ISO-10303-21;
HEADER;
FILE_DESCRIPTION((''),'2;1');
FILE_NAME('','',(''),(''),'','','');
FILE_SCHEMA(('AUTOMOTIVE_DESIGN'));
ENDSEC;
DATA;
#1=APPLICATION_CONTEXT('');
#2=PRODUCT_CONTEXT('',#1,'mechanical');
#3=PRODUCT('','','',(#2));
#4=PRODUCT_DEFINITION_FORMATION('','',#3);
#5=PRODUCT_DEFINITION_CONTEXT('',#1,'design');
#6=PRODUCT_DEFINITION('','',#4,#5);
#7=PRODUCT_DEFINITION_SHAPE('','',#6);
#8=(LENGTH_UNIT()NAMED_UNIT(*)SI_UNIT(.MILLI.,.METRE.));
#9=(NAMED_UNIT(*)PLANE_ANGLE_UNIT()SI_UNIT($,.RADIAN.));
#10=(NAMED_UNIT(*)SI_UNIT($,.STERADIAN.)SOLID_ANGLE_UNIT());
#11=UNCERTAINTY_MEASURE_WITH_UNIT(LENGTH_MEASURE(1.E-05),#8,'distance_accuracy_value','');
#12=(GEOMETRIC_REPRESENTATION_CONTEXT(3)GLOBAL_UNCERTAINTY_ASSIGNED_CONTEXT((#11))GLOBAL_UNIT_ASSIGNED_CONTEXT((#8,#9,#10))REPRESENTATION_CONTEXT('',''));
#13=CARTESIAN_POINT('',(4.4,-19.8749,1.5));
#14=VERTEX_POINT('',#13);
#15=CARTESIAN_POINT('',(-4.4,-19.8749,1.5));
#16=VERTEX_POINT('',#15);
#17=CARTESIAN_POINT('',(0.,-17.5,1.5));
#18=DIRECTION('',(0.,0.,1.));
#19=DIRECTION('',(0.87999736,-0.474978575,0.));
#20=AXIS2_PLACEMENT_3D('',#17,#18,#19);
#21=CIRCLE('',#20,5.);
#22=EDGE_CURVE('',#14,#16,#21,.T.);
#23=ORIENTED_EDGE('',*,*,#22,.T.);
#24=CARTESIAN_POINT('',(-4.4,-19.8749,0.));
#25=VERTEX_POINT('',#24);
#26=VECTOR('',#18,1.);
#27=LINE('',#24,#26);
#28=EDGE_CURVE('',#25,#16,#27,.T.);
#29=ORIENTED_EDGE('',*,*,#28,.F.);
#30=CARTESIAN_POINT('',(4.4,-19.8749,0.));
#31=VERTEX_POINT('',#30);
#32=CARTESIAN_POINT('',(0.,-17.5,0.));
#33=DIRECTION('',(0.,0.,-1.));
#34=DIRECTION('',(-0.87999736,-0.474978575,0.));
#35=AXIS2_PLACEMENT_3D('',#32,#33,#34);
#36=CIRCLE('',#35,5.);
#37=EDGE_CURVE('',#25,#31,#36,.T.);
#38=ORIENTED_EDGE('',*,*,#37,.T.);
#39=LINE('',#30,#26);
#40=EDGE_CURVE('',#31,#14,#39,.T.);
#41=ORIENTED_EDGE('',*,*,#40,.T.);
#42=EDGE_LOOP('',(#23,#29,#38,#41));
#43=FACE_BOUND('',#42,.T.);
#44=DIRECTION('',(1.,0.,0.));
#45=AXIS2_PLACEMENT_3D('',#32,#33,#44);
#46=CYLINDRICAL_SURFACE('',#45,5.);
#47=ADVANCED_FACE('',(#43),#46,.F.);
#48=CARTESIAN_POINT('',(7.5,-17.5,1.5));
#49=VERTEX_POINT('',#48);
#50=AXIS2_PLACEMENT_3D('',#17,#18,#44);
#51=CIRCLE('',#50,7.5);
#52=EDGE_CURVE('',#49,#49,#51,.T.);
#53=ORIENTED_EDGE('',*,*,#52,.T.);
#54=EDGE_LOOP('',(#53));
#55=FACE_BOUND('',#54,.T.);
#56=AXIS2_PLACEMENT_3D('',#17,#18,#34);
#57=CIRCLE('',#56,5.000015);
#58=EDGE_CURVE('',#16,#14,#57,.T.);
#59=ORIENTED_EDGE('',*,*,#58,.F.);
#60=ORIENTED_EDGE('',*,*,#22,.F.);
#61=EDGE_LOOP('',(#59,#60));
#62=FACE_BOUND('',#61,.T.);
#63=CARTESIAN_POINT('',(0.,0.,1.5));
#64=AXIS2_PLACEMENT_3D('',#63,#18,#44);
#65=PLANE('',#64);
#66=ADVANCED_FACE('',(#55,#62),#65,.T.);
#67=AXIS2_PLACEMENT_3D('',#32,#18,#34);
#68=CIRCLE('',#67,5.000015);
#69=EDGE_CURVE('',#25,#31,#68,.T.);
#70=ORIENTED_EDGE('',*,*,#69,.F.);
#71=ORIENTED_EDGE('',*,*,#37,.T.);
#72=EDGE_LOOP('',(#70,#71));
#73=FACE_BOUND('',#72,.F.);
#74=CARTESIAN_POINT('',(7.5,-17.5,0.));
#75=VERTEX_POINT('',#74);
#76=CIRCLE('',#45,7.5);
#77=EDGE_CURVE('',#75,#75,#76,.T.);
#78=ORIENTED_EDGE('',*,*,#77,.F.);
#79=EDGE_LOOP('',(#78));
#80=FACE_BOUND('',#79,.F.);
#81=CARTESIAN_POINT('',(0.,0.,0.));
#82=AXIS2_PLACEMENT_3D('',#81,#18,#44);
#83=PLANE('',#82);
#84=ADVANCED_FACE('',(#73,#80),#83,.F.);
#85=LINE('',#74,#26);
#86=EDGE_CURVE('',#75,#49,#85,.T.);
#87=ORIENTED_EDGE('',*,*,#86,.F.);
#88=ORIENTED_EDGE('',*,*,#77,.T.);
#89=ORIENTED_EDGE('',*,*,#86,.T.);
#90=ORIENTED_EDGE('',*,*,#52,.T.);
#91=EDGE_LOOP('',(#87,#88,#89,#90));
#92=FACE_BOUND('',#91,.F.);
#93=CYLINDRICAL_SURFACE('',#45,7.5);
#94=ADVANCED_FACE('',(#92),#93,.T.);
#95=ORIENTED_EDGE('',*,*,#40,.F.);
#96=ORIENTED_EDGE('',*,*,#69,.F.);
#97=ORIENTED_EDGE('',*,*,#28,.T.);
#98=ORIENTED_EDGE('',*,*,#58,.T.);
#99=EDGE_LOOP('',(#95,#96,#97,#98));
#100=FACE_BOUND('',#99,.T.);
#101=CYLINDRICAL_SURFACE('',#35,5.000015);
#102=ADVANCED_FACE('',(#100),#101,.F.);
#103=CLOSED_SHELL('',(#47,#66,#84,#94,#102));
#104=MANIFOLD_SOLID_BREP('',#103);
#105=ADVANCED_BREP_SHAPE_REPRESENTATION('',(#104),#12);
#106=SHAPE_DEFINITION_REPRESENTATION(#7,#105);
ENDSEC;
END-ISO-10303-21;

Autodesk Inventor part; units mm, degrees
ref_plane "YZ Plane" through (0, 0, 0) normal (1, 0, 0) x (0, 1, 0)
ref_plane "XZ Plane" through (0, 0, 0) normal (0, 1, 0) x (-1, 0, 0)
ref_plane "XY Plane" through (0, 0, 0) normal (0, 0, 1) x (1, 0, 0)
ref_plane "작업 평면1" through (0, 0, 0) normal (0, 0, 1) x (1, 0, 0)
sketch "스케치1" plane through (0, 0, 0) normal (0, 0, 1) x (1, 0, 0)
  circle A0 centre (-3, -27.5) radius 1.35 projected
  circle A1 centre (3, -27.5) radius 1.35 projected
  line L0 (4.4, -3.4094) -> (4.4, -19.8749) projected
  arc A2 (-4.4, -19.8749) -> (4.4, -19.8749) centre (0, -17.5) ccw projected
  line L1 (-4.4, -19.8749) -> (-4.4, -3.4094) projected
  arc A3 (4.4, -3.4094) -> (-4.4, -3.4094) centre (0, -5.7843) ccw projected
  circle A4 centre (0, 22.5) radius 4 projected
  arc A5 (-2.7698, 16.0713) -> (2.7698, 16.0713) centre (0, 22.5) ccw projected
  arc A6 (5.5454, 14.4845) -> (2.7698, 16.0713) centre (3.5611, 14.2345) ccw projected
  line L2 (5.5454, 14.4845) -> (6.9428, 3.3933) projected
  arc A7 (3.9674, 1.4062) -> (6.9428, 3.3933) centre (4.9585, 3.1433) ccw projected
  arc A8 (3.9674, 1.4062) -> (-3.9674, 1.4062) centre (0, -5.5476) ccw projected
  arc A9 (-6.9428, 3.3933) -> (-3.9674, 1.4062) centre (-4.9585, 3.1433) ccw projected
  line L3 (-6.9428, 3.3933) -> (-5.5454, 14.4845) projected
  arc A10 (-2.7698, 16.0713) -> (-5.5454, 14.4845) centre (-3.5611, 14.2345) ccw projected
  arc A11 (-12.5, -19.9495) -> (-9.6429, -26.948) centre (-2.5, -19.9495) ccw projected
  arc A12 (-9.6429, -26.948) -> (9.6429, -26.948) centre (0, -17.5) ccw projected
  arc A13 (9.6429, -26.948) -> (12.5, -19.9495) centre (2.5, -19.9495) ccw projected
  line L4 (12.5, -19.9495) -> (12.5, -17.5) projected
  arc A14 (12.5, -17.5) -> (12.402, -15.9375) centre (0, -17.5) ccw projected
  line L5 (7.4412, 23.4375) -> (12.402, -15.9375) projected
  arc A15 (7.4412, 23.4375) -> (-7.4412, 23.4375) centre (0, 22.5) ccw projected
  line L6 (-12.402, -15.9375) -> (-7.4412, 23.4375) projected
  arc A16 (-12.402, -15.9375) -> (-12.5, -17.5) centre (0, -17.5) ccw projected
  line L7 (-12.5, -17.5) -> (-12.5, -19.9495) projected
  circle A17 centre (0, -17.5) radius 3 projected
  line L8 (-4.4, -16.5566) -> (-4.4, -18.4434) projected
  arc A18 (-4.4, -18.4434) -> (4.4, -18.4434) centre (0, -17.5) ccw projected
  line L9 (4.4, -18.4434) -> (4.4, -16.5566) projected
  arc A19 (4.4, -16.5566) -> (-4.4, -16.5566) centre (0, -17.5) ccw projected
  circle A20 centre (0, -17.5) radius 5
  circle A21 centre (0, -17.5) radius 7.5
  point P0 (0, 0)
  dimension "d0" = 10
  dimension "d1" = 15
extrude "돌출1" add sketch "스케치1" along normal blind 1.5 contours A20 L1 A21 L0 | L0 A21 L1 A20 A2
properties part number "Ubber_Washer_1.5mm" material "LCP 플라스틱"
